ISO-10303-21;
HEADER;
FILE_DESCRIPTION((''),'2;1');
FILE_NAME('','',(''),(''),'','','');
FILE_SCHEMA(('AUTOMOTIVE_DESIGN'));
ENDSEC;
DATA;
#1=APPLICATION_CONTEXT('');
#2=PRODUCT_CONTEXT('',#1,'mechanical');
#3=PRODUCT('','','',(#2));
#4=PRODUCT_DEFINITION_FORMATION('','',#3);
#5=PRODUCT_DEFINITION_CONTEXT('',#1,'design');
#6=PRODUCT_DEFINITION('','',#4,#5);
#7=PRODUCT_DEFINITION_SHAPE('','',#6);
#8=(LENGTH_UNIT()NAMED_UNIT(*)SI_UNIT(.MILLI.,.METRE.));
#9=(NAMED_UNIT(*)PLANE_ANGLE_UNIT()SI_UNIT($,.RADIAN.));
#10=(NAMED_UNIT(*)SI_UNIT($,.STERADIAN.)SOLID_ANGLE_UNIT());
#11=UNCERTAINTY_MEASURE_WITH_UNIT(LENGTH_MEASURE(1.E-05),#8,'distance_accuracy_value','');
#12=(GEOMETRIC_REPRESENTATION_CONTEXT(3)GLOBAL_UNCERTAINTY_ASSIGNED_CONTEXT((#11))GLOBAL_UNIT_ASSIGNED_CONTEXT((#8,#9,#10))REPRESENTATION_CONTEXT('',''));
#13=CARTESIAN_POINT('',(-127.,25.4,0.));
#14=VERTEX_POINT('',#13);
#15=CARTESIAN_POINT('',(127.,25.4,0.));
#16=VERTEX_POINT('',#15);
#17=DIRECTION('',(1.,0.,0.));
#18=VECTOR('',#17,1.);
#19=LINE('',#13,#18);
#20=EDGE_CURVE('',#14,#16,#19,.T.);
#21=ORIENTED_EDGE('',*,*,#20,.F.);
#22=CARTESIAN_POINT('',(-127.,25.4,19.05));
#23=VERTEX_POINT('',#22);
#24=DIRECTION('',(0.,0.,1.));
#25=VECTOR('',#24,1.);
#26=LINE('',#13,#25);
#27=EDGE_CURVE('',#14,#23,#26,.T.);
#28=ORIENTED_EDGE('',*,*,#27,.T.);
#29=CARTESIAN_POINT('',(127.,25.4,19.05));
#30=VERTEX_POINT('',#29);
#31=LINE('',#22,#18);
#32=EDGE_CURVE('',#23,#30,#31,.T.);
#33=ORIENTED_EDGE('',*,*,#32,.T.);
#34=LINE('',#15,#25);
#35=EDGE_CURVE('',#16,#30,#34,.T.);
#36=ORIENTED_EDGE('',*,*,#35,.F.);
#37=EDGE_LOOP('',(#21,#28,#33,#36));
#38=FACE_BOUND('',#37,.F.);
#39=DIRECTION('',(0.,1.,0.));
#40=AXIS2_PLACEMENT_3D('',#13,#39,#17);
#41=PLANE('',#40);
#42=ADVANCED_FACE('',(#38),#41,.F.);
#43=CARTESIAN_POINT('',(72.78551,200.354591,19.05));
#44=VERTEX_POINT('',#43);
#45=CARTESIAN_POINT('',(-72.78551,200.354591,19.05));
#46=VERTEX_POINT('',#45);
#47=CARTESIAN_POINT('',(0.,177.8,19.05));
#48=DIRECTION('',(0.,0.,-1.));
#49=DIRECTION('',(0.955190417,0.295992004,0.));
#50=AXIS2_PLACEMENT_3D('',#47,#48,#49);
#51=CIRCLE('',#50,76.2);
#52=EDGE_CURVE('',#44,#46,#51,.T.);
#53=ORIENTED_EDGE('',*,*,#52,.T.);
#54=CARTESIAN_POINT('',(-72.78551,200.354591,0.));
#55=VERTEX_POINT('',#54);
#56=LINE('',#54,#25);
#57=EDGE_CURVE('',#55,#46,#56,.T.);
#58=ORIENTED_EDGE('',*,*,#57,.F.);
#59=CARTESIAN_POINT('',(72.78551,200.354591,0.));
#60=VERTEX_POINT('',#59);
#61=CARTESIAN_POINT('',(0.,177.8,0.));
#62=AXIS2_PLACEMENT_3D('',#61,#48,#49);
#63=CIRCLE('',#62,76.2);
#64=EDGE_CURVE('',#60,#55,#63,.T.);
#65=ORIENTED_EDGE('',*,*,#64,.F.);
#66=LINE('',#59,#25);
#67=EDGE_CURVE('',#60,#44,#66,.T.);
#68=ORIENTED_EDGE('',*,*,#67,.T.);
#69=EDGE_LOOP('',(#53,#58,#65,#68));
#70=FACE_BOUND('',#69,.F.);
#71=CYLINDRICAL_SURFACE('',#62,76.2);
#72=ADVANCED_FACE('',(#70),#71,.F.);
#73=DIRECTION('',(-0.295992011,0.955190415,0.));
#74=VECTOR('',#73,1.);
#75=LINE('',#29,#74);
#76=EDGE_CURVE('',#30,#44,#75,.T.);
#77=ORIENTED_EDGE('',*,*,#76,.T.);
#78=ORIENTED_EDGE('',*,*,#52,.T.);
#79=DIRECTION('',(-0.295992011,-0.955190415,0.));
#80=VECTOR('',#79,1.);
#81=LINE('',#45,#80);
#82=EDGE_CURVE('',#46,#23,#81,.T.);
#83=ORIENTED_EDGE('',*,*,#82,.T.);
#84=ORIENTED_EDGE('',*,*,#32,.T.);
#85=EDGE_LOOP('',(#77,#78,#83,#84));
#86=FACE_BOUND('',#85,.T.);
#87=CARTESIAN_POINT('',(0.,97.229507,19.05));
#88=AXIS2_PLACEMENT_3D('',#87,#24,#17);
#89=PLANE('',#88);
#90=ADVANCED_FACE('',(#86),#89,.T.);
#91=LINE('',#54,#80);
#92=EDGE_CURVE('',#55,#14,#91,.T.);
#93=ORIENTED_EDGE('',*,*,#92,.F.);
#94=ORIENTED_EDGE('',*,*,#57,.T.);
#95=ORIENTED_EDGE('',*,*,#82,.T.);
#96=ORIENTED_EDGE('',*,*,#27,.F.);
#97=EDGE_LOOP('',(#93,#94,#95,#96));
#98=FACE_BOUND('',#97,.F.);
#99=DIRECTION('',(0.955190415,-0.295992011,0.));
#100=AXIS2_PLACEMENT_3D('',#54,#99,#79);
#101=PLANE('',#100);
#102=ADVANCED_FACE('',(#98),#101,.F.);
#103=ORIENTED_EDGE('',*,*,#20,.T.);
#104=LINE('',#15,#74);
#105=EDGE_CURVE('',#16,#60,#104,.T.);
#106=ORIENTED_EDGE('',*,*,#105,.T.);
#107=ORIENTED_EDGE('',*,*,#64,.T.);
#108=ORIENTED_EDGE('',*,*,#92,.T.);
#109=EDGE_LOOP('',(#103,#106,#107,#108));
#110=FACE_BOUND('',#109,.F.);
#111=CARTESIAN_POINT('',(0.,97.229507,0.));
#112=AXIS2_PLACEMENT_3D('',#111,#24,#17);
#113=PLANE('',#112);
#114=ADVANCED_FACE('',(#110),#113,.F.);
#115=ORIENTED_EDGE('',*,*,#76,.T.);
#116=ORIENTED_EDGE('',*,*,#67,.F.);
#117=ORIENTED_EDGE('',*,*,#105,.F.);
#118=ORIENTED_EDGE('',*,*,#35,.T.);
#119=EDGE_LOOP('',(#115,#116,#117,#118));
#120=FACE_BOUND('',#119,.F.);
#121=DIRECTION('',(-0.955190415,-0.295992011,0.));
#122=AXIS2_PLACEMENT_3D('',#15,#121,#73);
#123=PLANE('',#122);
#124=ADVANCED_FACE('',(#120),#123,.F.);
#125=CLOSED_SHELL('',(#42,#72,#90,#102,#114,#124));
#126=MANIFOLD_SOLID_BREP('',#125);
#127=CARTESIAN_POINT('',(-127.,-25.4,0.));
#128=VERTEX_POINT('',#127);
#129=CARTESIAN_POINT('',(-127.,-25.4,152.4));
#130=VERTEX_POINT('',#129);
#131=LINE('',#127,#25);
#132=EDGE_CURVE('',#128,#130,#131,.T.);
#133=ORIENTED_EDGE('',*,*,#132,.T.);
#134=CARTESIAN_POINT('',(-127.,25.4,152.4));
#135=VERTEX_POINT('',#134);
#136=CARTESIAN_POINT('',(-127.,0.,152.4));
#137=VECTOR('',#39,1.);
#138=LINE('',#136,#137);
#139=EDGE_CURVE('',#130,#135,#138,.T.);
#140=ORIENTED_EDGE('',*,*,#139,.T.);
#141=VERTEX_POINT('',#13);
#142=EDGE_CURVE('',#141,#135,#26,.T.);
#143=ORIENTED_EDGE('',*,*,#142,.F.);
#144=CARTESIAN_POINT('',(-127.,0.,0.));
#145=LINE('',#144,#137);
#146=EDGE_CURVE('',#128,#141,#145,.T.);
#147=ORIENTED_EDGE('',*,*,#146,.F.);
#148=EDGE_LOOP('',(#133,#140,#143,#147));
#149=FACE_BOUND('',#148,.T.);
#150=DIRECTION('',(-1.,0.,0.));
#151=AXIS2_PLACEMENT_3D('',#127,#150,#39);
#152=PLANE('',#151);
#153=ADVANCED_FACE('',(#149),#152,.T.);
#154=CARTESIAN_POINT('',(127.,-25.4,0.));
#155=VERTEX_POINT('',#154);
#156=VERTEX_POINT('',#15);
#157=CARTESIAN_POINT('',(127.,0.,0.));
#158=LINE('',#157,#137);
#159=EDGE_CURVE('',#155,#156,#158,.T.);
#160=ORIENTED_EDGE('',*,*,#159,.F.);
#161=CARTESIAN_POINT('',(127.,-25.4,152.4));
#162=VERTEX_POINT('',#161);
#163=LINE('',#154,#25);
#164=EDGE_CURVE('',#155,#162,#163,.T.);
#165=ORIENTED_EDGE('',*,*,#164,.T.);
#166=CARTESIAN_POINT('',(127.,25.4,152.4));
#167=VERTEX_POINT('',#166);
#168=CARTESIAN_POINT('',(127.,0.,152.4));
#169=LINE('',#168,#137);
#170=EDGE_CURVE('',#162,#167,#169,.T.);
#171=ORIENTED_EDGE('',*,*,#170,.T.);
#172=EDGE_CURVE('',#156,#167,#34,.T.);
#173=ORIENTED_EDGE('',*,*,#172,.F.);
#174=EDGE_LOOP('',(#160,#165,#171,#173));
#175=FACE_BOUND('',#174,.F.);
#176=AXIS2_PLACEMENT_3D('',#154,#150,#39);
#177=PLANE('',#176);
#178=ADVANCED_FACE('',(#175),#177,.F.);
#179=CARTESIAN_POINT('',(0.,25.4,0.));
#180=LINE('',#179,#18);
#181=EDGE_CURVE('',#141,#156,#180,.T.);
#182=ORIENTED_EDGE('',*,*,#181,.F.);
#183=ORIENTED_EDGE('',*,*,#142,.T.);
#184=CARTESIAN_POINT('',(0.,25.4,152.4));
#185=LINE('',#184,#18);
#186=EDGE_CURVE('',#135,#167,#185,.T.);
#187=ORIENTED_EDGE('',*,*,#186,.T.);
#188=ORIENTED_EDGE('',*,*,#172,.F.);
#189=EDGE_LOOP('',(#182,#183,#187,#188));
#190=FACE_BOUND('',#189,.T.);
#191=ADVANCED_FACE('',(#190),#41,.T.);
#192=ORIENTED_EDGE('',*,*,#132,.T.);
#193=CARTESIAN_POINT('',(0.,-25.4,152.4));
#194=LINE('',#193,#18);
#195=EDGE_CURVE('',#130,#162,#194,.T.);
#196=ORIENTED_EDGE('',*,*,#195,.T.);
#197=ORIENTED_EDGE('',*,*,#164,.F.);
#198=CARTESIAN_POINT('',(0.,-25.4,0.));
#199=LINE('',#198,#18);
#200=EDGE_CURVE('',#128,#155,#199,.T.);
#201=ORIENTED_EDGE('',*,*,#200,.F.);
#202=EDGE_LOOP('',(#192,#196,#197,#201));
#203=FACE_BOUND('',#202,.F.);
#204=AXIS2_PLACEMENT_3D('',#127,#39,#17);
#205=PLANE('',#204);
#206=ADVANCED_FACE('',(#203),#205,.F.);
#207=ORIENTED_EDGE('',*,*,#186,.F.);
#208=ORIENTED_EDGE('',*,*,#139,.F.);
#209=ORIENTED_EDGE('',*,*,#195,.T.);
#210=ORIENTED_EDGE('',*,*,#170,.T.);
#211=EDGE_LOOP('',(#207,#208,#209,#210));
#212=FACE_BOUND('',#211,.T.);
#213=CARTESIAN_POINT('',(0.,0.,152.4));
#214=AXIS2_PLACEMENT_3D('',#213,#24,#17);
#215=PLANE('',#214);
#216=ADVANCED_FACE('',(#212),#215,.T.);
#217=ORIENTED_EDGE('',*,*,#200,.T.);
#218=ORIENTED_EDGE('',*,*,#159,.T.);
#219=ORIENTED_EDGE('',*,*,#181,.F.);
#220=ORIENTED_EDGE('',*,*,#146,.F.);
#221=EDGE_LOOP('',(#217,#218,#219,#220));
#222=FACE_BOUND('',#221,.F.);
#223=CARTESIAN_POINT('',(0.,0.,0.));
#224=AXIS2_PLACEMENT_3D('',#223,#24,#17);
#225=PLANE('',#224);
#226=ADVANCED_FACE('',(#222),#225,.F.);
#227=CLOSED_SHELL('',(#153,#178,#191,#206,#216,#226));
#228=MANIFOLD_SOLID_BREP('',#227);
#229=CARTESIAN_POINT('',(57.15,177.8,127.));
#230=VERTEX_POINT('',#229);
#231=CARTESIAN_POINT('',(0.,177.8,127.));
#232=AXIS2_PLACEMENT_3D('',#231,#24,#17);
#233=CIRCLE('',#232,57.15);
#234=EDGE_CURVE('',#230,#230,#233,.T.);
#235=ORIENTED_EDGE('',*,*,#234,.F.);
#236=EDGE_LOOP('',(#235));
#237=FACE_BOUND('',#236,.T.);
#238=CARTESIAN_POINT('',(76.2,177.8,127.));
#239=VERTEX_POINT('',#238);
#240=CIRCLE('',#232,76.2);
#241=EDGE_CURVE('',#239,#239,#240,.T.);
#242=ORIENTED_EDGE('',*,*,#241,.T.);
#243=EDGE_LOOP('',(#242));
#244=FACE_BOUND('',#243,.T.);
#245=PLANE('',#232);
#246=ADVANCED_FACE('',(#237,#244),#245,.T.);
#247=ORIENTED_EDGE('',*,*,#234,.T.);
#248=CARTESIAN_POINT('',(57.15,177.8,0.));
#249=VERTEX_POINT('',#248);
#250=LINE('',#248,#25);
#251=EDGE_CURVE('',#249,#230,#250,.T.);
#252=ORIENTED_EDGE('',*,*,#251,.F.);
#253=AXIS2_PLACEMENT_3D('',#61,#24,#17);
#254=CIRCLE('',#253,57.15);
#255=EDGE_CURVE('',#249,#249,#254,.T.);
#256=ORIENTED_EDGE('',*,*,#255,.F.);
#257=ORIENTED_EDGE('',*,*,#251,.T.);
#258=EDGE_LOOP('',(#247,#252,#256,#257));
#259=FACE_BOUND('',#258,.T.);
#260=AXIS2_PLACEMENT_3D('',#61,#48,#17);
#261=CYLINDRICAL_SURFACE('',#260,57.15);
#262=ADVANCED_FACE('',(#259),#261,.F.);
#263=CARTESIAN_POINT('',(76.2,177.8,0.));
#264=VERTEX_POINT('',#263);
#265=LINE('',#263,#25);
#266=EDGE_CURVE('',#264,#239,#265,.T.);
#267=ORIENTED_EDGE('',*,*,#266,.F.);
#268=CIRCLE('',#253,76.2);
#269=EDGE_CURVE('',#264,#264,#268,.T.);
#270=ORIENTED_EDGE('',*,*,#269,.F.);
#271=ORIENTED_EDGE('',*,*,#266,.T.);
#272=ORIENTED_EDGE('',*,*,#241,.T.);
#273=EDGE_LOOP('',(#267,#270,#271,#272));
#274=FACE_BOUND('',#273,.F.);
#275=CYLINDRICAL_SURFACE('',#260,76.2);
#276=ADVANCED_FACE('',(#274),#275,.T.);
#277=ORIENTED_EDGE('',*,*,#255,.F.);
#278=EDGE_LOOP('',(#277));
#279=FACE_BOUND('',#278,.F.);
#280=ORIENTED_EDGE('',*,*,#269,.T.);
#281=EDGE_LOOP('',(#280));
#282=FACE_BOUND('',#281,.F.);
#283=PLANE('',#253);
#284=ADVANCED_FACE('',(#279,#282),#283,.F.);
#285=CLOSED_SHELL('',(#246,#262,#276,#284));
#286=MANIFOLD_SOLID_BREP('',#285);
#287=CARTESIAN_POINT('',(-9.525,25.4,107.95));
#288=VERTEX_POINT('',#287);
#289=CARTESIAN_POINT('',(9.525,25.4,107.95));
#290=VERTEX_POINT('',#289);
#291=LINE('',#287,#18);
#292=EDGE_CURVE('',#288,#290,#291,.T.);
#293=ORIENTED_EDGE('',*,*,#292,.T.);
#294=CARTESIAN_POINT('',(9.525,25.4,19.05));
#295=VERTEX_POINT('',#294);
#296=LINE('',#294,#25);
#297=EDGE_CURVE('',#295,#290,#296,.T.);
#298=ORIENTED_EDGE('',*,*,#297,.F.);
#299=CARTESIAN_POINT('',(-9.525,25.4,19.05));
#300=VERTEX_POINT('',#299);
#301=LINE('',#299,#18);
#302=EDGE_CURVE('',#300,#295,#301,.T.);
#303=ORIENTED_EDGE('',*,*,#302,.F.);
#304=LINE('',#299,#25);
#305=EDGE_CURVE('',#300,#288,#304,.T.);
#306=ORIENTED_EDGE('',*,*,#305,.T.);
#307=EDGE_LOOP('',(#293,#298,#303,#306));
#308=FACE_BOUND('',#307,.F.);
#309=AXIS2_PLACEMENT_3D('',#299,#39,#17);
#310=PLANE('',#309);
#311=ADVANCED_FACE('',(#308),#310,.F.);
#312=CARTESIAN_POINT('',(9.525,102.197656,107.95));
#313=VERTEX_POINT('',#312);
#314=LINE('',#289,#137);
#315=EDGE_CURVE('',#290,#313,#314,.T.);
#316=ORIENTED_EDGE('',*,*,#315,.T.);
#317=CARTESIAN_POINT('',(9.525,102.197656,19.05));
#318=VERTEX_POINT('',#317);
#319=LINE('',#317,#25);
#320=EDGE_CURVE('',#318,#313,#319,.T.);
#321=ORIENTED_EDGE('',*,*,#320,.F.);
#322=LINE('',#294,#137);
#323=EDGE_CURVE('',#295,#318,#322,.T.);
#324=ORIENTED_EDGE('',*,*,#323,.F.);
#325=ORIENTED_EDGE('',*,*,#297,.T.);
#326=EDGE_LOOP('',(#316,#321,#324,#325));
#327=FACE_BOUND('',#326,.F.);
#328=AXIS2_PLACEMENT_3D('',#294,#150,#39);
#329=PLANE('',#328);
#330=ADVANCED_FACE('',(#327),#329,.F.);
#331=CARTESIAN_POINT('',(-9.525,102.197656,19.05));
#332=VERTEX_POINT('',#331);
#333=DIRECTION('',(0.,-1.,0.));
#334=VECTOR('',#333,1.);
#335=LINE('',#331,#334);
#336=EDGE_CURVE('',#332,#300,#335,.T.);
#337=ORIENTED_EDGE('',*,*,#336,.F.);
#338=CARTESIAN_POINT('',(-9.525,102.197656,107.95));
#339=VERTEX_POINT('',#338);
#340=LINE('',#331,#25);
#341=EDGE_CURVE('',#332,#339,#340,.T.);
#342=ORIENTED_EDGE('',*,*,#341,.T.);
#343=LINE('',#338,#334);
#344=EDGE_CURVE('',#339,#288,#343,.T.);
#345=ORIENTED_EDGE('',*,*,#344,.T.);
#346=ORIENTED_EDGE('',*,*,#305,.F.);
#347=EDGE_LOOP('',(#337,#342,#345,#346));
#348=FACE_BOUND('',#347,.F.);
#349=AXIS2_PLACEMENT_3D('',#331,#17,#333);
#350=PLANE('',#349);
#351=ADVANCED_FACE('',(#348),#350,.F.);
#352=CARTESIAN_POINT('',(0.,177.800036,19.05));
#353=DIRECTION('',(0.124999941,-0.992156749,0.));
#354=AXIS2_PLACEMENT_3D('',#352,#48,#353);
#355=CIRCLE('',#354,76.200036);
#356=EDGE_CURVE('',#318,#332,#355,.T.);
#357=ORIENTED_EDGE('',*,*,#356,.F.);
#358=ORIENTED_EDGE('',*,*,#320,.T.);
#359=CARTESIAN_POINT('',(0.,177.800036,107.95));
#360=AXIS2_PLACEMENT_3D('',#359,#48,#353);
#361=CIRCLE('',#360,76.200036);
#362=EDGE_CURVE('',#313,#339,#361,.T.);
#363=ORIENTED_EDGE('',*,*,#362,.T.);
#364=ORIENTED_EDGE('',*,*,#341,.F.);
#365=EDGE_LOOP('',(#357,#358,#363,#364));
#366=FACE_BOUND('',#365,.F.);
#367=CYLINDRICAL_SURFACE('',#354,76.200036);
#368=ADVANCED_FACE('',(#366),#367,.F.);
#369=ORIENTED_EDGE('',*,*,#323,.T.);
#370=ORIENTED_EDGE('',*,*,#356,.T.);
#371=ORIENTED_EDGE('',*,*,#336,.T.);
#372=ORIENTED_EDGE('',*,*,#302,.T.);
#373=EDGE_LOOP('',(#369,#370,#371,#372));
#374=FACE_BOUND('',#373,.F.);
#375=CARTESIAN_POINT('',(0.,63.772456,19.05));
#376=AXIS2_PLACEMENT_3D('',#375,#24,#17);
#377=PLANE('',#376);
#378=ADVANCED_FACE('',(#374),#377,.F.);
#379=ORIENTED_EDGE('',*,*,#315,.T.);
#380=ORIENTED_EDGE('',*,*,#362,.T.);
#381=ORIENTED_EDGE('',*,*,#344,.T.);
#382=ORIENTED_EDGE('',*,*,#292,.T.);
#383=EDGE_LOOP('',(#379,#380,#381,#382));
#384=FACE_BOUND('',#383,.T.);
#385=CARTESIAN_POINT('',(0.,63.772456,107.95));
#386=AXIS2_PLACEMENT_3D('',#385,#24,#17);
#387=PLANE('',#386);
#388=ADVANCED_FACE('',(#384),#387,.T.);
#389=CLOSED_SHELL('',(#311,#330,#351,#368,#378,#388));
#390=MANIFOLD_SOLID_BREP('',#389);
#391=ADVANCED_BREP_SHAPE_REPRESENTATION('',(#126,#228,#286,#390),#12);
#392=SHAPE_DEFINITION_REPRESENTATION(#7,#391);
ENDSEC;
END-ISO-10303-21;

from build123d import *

# Parameters (mm, degrees)
F0_W     = 254
F0_H     = 50.8
F1_DEPTH = 152.4
F2_R     = 76.2
F2_R_2   = 57.15
F3_DEPTH = 127
F5_DEPTH = 19.05
F7_DEPTH = 88.9


with BuildPart() as f1:
    # F0 (on Top) → F1 (new body)
    with BuildSketch(Plane.XY):
        Rectangle(F0_W, F0_H)
    extrude(amount=F1_DEPTH)


with BuildPart() as f3:
    # F2 (on Top) → F3 (new body)
    with BuildSketch(Plane.XY):
        with Locations((0, 177.8)):
            Circle(F2_R)
        with Locations((0, 177.8)):
            Circle(F2_R_2, mode=Mode.SUBTRACT)
    extrude(amount=F3_DEPTH)


with BuildPart() as f5:
    # F4 (on Top) → F5 (new body)
    with BuildSketch(Plane.XY):
        with BuildLine():
            Line((-72.78551, 200.354591), (-127, 25.4))
            Line((-127, 25.4), (127, 25.4))
            Line((127, 25.4), (72.78551, 200.354591))
            ThreePointArc((72.78551, 200.354591), (0, 101.6), (-72.78551, 200.354591))
        make_face()
    extrude(amount=F5_DEPTH)


with BuildPart() as f7:
    # F6 (on face) → F7 (new body)
    with BuildSketch(Plane.XY.offset(19.05)):
        with BuildLine():
            Line((9.525, 25.4), (9.525, 102.197656))
            ThreePointArc((9.525, 102.197656), (0, 101.6), (-9.525, 102.197656))
            Line((-9.525, 102.197656), (-9.525, 25.4))
            Line((-9.525, 25.4), (9.525, 25.4))
        make_face()
    extrude(amount=F7_DEPTH)


solid = Compound([f1.part, f3.part, f5.part, f7.part])
